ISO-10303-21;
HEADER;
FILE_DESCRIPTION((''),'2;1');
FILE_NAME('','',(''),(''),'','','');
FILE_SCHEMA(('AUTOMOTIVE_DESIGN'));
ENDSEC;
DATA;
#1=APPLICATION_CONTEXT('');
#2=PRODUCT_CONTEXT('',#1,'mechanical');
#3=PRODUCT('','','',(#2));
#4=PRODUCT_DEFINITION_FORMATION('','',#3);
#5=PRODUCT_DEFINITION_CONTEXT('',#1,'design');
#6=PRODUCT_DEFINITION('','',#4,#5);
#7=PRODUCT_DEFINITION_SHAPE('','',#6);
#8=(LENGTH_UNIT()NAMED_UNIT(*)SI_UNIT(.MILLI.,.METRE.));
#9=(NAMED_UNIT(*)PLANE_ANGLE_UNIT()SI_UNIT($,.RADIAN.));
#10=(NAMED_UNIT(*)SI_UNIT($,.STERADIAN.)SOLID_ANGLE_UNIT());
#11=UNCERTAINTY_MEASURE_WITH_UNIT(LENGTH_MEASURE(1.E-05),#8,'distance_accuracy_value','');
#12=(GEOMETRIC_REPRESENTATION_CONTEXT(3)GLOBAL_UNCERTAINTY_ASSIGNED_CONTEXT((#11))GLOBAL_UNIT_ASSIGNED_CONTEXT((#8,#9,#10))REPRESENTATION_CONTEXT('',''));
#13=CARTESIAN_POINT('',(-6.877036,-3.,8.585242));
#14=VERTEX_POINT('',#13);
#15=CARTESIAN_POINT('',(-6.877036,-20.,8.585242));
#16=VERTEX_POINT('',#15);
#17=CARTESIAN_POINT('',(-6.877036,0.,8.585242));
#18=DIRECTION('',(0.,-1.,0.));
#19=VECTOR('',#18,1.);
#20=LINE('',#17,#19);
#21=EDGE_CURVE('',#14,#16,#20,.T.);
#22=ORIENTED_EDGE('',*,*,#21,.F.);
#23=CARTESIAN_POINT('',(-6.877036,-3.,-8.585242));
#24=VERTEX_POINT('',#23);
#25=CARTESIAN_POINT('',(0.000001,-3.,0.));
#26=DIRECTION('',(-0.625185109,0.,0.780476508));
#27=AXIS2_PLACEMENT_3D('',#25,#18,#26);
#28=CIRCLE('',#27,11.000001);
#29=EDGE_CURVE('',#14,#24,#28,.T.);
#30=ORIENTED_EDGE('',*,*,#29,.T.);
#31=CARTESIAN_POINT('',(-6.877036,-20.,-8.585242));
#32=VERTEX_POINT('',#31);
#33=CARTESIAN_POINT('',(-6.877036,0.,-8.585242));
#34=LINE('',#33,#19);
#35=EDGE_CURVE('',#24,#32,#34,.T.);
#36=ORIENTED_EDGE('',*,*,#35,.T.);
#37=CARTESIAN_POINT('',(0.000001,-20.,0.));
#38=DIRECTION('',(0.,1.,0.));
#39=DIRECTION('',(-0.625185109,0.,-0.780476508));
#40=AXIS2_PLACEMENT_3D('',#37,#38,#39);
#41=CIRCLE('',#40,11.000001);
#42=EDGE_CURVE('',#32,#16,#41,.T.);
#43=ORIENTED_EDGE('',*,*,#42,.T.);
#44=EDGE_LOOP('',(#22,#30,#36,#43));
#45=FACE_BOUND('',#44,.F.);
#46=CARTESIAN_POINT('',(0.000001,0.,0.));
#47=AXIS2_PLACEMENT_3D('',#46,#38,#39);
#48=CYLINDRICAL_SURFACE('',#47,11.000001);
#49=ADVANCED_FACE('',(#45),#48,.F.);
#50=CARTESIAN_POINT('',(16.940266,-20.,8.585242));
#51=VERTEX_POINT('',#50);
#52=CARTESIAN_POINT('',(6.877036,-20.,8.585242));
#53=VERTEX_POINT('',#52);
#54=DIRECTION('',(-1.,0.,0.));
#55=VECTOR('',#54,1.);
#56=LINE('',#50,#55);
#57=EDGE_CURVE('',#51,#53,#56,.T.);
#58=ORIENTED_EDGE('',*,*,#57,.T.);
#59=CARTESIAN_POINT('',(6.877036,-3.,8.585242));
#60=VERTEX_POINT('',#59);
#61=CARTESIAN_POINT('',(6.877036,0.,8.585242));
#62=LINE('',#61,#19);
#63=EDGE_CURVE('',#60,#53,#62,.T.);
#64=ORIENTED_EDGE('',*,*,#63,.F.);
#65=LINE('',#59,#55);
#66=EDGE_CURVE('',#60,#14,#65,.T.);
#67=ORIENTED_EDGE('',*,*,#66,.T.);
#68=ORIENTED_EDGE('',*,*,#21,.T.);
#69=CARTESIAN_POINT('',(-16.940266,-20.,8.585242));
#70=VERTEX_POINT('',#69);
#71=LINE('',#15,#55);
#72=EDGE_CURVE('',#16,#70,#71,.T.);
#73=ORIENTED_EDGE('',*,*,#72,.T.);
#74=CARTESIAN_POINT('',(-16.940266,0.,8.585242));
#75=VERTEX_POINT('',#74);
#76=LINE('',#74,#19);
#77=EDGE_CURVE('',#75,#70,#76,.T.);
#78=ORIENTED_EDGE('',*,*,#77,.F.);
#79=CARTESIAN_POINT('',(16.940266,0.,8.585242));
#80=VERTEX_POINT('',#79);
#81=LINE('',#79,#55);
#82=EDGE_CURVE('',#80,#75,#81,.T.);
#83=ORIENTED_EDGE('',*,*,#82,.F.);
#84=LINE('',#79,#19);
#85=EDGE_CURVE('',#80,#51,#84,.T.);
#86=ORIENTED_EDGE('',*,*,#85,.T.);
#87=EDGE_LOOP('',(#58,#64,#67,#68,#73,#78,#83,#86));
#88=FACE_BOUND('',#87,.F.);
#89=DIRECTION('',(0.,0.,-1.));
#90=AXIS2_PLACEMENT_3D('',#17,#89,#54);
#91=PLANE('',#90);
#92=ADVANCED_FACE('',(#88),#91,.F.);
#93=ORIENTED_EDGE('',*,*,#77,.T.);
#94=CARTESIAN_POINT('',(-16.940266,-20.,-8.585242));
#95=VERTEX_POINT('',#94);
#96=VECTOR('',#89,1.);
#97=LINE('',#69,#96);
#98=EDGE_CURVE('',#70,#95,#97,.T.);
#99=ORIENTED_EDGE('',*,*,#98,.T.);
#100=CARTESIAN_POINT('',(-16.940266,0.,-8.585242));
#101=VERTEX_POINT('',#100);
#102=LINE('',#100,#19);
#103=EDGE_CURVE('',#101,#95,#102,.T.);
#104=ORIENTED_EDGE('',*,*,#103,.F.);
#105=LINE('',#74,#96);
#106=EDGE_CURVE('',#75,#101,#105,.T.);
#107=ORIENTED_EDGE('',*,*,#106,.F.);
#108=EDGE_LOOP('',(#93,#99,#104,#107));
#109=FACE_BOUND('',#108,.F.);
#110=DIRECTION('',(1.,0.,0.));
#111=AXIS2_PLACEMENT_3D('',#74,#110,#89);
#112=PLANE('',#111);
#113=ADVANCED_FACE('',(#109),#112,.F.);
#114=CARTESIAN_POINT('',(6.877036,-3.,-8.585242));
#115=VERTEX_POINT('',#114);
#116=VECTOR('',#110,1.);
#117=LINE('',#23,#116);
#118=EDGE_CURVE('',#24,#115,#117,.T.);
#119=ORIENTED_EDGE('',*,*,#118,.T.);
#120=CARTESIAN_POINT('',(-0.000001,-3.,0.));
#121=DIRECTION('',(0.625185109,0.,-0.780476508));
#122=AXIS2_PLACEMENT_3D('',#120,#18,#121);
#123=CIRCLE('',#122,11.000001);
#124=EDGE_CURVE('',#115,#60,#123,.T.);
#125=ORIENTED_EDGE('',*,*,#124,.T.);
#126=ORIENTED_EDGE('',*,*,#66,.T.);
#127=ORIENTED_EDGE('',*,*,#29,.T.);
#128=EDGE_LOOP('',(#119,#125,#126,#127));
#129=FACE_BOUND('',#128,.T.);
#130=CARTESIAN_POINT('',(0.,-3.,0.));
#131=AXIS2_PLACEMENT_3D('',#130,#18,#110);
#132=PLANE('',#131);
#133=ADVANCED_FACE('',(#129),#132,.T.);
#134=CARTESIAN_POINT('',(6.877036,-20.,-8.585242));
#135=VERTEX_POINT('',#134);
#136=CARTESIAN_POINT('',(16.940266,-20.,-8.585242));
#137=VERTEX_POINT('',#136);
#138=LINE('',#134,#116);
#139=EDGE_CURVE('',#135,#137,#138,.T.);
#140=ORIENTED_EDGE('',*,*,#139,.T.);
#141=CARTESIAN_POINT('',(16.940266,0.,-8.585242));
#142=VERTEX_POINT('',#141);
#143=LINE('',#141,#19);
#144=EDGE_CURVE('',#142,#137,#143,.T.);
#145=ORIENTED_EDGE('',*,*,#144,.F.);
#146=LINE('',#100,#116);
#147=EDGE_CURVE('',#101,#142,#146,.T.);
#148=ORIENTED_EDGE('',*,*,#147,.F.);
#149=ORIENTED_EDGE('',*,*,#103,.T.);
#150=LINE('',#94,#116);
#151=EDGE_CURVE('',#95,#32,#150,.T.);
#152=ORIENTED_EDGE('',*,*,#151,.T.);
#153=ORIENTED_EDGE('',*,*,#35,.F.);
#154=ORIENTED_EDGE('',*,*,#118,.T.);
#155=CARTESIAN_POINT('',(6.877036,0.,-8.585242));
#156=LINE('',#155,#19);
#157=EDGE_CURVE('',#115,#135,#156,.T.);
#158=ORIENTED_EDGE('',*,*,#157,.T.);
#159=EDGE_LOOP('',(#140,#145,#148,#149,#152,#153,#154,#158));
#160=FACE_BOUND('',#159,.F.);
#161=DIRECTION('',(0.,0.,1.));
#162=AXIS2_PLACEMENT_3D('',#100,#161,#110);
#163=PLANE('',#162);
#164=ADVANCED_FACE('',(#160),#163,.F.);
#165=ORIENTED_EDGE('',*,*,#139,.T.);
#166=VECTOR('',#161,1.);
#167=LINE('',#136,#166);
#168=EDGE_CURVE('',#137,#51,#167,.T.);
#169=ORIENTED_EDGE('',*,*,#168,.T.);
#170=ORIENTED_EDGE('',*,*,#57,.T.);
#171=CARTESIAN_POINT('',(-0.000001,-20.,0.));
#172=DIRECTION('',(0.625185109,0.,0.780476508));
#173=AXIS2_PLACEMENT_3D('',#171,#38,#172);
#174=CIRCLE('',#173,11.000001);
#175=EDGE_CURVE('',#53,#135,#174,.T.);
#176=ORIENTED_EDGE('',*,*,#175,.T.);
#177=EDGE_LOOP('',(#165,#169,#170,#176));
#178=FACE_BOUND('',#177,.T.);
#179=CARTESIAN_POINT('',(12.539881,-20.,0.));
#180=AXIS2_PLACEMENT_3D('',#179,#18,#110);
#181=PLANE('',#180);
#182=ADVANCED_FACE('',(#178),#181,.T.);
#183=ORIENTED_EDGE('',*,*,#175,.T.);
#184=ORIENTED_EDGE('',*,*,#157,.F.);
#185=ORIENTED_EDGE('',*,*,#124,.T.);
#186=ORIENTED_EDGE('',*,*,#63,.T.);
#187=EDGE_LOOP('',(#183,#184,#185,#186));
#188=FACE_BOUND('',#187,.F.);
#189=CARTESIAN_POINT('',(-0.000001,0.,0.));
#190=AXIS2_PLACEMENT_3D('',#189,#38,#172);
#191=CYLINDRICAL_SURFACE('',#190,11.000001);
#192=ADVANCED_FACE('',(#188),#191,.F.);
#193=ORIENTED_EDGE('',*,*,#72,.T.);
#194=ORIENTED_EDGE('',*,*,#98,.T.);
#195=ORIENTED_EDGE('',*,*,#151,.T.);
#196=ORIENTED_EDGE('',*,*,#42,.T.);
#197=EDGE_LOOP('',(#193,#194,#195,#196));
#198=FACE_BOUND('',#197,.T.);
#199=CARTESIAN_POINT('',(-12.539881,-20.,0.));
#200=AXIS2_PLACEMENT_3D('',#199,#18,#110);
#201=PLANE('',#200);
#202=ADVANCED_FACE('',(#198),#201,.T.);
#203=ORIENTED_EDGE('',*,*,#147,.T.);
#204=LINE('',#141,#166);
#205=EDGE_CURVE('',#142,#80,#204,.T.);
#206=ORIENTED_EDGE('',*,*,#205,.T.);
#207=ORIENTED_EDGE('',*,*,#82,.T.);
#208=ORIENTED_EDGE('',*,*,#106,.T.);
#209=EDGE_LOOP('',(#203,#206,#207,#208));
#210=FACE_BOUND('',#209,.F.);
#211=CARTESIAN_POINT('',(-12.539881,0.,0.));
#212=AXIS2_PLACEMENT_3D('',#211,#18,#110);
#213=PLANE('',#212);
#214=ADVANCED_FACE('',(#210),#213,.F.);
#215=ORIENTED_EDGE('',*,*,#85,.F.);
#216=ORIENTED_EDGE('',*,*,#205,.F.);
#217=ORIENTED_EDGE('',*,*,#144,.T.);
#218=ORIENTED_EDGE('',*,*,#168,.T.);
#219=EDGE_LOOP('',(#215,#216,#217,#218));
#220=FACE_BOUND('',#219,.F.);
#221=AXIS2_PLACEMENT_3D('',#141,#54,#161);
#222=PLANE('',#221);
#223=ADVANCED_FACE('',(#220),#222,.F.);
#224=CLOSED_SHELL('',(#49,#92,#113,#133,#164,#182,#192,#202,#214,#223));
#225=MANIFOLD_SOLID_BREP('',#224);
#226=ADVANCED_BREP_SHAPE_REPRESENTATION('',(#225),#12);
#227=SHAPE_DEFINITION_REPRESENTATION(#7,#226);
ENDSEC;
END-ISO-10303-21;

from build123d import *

# Parameters (mm, degrees)
F1_DEPTH = 3
F2_DEPTH = 20


with BuildPart() as f1:
    # F0 (on Front) → F1 (new body)
    with BuildSketch(Plane.XZ):
        with BuildLine():
            Line((6.877036, 8.585242), (-6.877036, 8.585242))
            ThreePointArc((-6.877036, 8.585242), (-11, 0), (-6.877036, -8.585242))
            Line((-6.877036, -8.585242), (6.877036, -8.585242))
            ThreePointArc((6.877036, -8.585242), (11, 0), (6.877036, 8.585242))
        make_face()
    extrude(amount=F1_DEPTH)

    # F0 (on Front) → F2 (join)
    with BuildSketch(Plane.XZ):
        with BuildLine():
            ThreePointArc((-6.877036, -8.585242), (-11, 0), (-6.877036, 8.585242))
            Line((-6.877036, 8.585242), (-16.940266, 8.585242))
            Line((-16.940266, 8.585242), (-16.940266, -8.585242))
            Line((-16.940266, -8.585242), (-6.877036, -8.585242))
        make_face()
        with BuildLine():
            Line((16.940266, 8.585242), (6.877036, 8.585242))
            ThreePointArc((6.877036, 8.585242), (11, 0), (6.877036, -8.585242))
            Line((6.877036, -8.585242), (16.940266, -8.585242))
            Line((16.940266, -8.585242), (16.940266, 8.585242))
        make_face()
    extrude(amount=F2_DEPTH)


solid = f1.part
